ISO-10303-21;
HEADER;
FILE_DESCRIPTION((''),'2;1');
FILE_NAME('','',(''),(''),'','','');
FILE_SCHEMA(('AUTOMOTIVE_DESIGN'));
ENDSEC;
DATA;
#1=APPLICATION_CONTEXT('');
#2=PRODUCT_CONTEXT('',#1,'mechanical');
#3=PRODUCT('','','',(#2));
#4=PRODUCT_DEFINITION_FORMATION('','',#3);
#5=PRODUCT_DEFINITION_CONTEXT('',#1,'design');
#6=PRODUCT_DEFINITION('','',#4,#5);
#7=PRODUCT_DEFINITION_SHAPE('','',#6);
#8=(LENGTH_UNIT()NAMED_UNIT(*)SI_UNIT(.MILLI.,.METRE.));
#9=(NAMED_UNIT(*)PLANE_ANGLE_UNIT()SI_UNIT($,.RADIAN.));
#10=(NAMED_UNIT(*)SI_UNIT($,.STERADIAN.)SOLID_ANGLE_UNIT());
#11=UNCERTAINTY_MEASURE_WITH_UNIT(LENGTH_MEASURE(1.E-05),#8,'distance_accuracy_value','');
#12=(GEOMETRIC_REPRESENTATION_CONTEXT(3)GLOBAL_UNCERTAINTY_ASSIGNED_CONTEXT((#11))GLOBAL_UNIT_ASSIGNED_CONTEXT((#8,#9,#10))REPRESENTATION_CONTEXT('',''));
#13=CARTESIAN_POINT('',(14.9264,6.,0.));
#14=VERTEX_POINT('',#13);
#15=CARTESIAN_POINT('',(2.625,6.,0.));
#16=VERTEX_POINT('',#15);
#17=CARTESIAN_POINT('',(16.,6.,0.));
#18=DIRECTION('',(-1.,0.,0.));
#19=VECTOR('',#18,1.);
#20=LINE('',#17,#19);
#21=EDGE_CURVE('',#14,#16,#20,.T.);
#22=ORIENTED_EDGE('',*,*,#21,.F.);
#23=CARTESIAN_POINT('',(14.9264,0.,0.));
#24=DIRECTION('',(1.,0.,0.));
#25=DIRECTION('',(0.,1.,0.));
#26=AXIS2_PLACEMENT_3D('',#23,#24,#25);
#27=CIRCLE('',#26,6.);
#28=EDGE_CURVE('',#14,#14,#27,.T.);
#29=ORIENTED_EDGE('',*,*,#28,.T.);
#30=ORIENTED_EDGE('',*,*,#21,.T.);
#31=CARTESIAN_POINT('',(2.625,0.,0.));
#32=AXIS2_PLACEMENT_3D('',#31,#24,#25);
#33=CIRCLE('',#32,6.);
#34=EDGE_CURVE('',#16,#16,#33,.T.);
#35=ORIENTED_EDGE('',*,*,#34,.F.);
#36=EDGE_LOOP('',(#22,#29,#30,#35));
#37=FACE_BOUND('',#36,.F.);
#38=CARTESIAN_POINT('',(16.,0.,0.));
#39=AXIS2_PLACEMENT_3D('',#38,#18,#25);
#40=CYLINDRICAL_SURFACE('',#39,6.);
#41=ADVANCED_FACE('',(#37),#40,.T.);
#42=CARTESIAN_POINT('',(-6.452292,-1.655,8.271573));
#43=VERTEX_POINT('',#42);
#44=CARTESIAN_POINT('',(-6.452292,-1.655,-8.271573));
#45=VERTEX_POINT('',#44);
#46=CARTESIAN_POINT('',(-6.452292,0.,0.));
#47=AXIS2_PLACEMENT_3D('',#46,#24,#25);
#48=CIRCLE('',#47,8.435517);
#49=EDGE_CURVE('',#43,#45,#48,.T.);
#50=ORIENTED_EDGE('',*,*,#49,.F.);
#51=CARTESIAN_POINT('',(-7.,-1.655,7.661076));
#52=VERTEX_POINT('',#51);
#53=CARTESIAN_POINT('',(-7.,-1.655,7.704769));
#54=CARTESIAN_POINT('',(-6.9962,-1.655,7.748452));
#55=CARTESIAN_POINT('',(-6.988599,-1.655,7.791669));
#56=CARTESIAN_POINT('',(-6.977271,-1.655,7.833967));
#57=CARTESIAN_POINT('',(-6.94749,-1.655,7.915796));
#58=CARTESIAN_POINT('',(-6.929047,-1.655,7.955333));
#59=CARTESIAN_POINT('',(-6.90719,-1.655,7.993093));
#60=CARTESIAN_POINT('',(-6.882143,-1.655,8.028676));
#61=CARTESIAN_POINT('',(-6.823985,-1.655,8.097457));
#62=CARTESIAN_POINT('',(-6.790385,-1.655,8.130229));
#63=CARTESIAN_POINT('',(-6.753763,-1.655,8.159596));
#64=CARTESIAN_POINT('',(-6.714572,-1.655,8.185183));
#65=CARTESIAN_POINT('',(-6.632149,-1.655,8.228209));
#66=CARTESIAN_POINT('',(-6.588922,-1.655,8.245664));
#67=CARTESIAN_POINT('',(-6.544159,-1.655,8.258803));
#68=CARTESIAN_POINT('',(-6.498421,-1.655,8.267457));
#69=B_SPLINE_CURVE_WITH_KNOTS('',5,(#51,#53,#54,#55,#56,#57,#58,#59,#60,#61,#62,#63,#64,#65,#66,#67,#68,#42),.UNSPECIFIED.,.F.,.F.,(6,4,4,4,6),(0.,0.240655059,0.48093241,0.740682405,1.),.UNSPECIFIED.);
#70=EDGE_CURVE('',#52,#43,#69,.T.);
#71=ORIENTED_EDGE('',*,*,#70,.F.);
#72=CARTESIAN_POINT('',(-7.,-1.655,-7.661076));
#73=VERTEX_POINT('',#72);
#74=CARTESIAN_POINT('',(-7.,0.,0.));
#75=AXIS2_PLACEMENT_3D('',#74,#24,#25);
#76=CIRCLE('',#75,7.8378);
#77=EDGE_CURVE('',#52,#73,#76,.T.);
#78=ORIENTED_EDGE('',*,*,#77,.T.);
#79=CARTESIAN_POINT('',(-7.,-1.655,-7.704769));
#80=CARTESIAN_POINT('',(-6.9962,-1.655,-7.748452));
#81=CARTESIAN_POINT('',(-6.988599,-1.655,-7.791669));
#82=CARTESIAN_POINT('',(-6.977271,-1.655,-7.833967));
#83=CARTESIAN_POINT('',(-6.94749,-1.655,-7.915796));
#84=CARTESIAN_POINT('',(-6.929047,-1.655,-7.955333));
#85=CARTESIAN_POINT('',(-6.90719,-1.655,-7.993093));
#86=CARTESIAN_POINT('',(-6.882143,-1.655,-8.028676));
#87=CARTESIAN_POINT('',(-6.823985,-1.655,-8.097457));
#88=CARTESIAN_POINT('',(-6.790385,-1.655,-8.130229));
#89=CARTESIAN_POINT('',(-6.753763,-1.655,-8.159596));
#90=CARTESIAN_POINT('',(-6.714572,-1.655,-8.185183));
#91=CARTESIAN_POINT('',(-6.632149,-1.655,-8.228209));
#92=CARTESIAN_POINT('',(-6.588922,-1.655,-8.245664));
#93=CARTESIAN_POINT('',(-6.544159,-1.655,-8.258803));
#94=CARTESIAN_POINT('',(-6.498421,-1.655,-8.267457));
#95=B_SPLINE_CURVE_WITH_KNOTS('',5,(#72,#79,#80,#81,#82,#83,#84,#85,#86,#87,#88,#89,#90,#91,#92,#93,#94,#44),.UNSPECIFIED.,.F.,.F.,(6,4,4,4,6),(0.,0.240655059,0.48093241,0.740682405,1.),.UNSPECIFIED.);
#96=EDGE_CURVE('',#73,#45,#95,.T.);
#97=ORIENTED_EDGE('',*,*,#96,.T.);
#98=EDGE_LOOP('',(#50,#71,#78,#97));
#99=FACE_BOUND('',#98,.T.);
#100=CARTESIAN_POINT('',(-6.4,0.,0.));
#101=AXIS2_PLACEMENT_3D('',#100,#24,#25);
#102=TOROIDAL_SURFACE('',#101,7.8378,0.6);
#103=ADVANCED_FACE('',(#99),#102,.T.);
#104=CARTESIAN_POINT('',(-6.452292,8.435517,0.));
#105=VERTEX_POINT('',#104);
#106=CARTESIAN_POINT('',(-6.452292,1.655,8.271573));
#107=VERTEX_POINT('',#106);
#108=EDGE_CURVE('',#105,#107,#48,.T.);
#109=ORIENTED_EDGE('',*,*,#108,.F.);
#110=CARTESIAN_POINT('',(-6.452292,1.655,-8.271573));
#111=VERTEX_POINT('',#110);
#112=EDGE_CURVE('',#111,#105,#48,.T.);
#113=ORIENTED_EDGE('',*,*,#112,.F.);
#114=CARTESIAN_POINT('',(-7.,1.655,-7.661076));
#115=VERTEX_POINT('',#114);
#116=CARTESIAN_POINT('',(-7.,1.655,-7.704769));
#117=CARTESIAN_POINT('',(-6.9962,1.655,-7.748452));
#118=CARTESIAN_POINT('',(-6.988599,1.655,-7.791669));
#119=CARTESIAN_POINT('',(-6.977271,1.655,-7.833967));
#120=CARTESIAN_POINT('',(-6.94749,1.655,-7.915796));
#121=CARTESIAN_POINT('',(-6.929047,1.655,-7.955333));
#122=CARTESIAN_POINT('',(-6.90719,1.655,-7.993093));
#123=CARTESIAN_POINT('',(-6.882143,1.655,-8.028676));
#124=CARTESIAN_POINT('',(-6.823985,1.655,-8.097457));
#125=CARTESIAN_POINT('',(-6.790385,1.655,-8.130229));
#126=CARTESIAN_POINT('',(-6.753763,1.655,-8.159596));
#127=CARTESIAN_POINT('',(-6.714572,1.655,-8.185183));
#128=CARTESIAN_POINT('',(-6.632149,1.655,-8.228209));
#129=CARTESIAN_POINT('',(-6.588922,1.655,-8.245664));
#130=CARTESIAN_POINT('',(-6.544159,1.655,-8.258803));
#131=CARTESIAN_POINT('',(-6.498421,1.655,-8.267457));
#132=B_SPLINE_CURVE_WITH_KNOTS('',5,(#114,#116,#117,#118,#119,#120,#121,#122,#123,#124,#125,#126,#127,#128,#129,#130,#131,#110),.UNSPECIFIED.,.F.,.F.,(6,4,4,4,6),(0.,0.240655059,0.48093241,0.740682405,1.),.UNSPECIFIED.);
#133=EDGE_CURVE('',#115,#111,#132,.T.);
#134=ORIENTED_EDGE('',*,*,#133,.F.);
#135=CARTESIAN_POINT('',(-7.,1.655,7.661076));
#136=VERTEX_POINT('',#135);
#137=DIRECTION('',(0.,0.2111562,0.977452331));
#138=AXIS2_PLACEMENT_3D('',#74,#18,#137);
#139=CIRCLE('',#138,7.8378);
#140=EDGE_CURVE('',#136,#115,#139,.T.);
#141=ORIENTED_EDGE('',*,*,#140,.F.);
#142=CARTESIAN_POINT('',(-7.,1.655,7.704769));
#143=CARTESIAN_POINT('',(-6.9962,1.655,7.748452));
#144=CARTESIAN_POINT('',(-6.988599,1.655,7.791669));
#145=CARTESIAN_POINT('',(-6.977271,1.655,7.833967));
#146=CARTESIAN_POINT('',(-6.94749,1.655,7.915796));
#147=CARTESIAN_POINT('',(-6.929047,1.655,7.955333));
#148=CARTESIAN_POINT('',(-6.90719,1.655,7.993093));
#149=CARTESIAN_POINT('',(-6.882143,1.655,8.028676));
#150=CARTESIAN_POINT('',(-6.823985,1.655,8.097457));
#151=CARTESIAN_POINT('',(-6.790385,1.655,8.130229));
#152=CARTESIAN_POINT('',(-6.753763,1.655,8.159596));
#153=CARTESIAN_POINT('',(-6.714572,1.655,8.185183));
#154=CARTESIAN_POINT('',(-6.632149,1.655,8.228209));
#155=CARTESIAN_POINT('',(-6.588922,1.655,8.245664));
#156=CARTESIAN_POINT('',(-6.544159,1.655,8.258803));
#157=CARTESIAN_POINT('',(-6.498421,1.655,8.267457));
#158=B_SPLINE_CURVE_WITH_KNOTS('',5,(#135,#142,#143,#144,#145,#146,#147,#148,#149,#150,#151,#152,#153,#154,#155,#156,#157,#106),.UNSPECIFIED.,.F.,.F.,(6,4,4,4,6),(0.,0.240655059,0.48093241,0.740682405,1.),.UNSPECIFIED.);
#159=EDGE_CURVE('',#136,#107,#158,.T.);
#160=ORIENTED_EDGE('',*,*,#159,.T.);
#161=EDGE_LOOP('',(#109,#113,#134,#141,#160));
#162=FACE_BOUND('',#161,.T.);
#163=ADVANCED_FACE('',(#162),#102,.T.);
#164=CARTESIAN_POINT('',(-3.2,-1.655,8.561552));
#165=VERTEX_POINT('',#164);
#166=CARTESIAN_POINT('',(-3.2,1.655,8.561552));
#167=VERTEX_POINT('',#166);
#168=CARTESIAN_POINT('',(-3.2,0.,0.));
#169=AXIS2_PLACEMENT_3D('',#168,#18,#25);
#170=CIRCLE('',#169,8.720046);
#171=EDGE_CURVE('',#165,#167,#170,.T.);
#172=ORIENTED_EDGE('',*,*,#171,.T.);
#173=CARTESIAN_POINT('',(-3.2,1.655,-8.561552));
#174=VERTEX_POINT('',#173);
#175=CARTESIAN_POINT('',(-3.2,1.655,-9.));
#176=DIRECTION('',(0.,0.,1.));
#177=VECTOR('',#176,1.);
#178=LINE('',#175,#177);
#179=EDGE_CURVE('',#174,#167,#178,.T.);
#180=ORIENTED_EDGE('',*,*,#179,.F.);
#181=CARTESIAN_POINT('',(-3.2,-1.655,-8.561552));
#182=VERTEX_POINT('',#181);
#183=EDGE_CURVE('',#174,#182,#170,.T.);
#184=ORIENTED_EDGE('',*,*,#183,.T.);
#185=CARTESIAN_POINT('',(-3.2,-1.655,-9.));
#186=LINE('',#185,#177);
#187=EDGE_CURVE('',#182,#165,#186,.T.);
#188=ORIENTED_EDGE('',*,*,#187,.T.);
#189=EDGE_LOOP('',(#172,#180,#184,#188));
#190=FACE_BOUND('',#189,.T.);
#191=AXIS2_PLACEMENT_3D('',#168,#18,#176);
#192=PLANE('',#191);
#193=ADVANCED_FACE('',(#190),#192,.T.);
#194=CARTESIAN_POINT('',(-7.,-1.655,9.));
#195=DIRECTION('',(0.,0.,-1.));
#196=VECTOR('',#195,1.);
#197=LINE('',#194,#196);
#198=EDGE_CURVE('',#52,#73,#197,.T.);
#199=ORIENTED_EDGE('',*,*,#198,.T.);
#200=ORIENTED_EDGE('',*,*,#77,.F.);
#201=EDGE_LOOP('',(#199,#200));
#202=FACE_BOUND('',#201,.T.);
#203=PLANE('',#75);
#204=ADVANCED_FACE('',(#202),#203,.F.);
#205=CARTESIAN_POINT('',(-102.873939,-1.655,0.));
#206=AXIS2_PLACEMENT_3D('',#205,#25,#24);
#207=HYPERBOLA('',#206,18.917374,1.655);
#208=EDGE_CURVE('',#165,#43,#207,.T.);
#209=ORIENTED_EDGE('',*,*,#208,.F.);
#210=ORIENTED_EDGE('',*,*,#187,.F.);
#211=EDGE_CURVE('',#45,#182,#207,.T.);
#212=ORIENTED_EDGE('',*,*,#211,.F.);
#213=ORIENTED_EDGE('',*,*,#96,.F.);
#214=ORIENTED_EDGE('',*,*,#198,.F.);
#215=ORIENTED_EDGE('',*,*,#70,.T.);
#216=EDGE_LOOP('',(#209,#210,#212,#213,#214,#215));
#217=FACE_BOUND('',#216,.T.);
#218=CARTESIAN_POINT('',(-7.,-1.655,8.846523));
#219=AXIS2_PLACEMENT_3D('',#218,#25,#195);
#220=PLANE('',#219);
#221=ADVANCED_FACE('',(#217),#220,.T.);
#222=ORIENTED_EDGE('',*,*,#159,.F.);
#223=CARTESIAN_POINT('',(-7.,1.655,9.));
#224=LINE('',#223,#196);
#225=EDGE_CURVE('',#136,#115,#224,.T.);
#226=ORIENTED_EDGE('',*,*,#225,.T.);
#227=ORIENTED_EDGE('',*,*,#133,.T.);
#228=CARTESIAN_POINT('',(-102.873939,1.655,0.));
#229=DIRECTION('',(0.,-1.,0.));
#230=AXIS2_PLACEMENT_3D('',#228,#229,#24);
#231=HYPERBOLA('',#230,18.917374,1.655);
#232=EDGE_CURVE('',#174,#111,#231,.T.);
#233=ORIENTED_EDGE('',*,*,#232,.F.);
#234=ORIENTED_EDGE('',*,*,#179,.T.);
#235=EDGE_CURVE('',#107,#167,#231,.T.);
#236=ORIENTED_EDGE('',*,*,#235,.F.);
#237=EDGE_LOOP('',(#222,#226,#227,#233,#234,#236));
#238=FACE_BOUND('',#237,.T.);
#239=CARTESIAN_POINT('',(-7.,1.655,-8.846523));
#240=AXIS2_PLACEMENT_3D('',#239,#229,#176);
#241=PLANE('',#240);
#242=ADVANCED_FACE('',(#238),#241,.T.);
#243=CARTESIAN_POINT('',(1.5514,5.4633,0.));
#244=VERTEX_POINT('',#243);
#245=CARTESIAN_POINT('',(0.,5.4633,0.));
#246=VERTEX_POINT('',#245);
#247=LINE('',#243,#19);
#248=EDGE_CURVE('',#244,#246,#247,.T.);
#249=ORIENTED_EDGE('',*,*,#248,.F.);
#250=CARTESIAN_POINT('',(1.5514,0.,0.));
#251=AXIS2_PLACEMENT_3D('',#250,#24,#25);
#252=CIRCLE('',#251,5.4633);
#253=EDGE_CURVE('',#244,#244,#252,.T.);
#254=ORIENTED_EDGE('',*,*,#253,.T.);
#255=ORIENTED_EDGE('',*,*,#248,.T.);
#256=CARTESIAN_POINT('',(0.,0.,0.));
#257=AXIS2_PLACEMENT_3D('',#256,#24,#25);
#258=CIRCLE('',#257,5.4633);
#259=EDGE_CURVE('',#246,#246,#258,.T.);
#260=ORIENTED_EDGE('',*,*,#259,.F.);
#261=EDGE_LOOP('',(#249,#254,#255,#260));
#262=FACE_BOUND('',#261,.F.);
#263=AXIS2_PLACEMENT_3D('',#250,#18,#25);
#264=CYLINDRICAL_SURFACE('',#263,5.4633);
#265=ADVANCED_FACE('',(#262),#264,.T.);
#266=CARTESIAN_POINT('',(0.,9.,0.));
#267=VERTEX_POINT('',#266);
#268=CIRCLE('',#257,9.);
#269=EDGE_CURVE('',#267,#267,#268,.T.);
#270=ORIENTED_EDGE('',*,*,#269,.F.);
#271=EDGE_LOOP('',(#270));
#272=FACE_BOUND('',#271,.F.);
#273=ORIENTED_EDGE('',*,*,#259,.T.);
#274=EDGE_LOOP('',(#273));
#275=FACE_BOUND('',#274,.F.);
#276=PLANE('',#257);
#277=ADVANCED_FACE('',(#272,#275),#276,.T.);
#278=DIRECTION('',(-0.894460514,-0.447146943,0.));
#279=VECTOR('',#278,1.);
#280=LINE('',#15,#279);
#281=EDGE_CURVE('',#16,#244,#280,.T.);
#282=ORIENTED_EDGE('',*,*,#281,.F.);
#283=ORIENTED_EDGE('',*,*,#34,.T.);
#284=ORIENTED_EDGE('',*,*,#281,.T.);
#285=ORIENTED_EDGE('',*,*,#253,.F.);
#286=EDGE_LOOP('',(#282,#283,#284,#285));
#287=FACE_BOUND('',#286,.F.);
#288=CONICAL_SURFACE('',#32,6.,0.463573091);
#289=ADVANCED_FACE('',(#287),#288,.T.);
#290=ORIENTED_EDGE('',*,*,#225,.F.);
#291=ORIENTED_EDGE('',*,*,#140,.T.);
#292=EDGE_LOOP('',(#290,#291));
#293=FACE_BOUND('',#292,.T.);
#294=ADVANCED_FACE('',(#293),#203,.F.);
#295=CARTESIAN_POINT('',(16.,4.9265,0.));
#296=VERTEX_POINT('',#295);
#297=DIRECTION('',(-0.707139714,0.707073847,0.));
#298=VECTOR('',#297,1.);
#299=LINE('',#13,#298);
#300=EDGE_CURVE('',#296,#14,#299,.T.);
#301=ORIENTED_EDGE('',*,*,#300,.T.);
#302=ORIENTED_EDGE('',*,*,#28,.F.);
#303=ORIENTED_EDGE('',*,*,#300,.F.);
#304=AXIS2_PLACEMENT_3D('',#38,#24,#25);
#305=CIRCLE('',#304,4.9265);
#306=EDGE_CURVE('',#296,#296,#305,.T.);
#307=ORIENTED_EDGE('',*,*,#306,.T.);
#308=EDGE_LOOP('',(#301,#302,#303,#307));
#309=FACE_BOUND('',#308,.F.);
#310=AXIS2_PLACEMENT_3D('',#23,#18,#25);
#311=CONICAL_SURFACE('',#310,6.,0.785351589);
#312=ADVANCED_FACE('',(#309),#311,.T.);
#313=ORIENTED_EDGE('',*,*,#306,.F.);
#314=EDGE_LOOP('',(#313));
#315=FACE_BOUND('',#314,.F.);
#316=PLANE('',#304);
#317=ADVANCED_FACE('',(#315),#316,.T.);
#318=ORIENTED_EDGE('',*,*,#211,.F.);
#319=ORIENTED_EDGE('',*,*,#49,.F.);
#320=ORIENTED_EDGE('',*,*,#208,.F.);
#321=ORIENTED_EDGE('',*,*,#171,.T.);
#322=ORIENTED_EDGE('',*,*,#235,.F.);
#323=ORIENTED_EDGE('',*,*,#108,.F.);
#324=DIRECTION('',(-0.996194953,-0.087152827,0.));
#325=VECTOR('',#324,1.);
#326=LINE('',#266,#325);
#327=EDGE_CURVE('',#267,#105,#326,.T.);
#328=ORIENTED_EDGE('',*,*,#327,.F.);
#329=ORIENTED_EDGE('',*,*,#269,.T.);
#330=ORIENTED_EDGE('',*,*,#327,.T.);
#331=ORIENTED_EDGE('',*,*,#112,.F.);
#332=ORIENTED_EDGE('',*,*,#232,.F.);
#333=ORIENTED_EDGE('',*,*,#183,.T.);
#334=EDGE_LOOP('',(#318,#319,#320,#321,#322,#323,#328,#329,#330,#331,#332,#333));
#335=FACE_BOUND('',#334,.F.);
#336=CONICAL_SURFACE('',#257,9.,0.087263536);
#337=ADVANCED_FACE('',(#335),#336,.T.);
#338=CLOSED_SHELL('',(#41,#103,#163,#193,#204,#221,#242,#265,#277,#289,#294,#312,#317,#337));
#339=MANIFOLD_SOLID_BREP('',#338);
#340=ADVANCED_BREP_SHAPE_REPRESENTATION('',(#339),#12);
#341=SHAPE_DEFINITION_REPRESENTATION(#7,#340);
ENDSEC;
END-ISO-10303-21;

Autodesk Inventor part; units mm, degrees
ref_plane "YZ Plane" through (0, 0, 0) normal (1, 0, 0) x (0, 1, 0)
ref_plane "XZ Plane" through (0, 0, 0) normal (0, 1, 0) x (-1, 0, 0)
sketch "Sketch1" plane through (0, 0, 0) normal (0, 0, 1) x (1, 0, 0)
  line L0 (-7, 0) -> (16, 0)
  line L1 (16, 0) -> (16, 6)
  line L2 (16, 6) -> (2.625, 6)
  line L3 (2.625, 6) -> (1.5514, 5.4633)
  line L4 (1.5514, 5.4633) -> (0, 5.4633)
  line L5 (0, 5.4633) -> (0, 9)
  line L6 (-11.6, 0) -> (20.6, 0) projected
  line L7 (0, -1.8) -> (0, 10.8) projected
  line L8 (-7, 0) -> (-7, 8.3876)
  line L9 (0, 9) -> (-7, 8.3876)
  line L10 (2.625, 6) -> (0, 6) construction
  dimension "d0" = 16
  dimension "d1" = 13.375
  dimension "d2" = 1.0736
  dimension "d3" = 7
  dimension "d4" = 12
  dimension "d5" = 10.9265
  dimension "d9" = 18
  dimension "d10" = 5
revolve "Body" add sketch "Sketch1" angle 360 about axis through (-7, 0, 0) along (1, 0, 0)
sketch "Sketch2" plane through (-7, 0, 0) normal (-1, 0, 0) x (0, 0, 1)
  circle A0 centre (0, 0) radius 9 projected
  line L0 (0, 0) -> (0, 8.3876) projected
  line L1 (-9, 1.655) -> (9, 1.655)
  line L2 (9, 1.655) -> (9, -1.655)
  line L3 (9, -1.655) -> (-9, -1.655)
  line L4 (-9, -1.655) -> (-9, 1.655)
  line L5 (-9, 0) -> (9, 0) construction
  line L6 (0, 1.655) -> (0, -1.655) construction
  dimension "d11" = 3.31
  dimension "d12" = 18
fillet "Fillet1" radius 0.6 1 edges at (-7, -8.3876, 0)
extrude "Slot" cut sketch "Sketch2" against normal blind 3.8 contours A0 L3 L1 | L2 L3 A0 | A0 L1 L2 | A0 L4 L1 | L3 L4 A0
thread "Thread" size "M12x1.75" class "6g" standard "ISO Metric profile" length 13.375
chamfer "Chamfer1" distance 1.0735 distance2 1.0736 1 edges at (16, -6, 0) measured on face at (16, -0.7092, 1.4219)
ref_plane "Work Plane1" through (30.1625, 0, 0) normal (0, 0, -1) x (1, 0, 0)
equation "\"d11\" = SBR"
equation "\"d12\" = KOD"
equation "\"d19\" = STI"
equation "\"d14\" = RR"
equation "\"d15\" = GEL"
equation "\"d17\" = -0.5 * SPD + 0.5 * GD"
equation "\"d0\" = NLG"
equation "\"d1\" = GEL"
equation "\"d3\" = KOH"
equation "\"d4\" = GD"
equation "\"d5\" = BDM"
equation "\"d9\" = KOD"
equation "\"d10\" = KEWI"
equation "\"GD\" = NND"
equation "\"NLG\" = 16"
equation "\"GEL\" = 13.375"
equation "\"KOD\" = 18"
equation "\"KOH\" = 7"
equation "\"GAL\" = 0.61345 * PTC"
equation "\"SPD\" = NND - 1.2269 * PTC"
equation "\"BDM\" = 10.9265"
equation "\"GUL\" = 0.61345 * PTC"
equation "\"RR\" = 0.6"
equation "\"SBR\" = 3.31"
equation "\"STI\" = 3.8"
equation "\"KEWI\" = 5deg"
equation "\"PTC\" = 1.75"
equation "\"THREADDIA\" = 12"
equation "\"TOA\" = 30deg"
equation "\"NND\" = 12"
equation "\"GD1\" = THREADDIA - 1.2269 * PTC"
properties part number "BS 4183 - M12 x 16" material "Nylon 6/6"
